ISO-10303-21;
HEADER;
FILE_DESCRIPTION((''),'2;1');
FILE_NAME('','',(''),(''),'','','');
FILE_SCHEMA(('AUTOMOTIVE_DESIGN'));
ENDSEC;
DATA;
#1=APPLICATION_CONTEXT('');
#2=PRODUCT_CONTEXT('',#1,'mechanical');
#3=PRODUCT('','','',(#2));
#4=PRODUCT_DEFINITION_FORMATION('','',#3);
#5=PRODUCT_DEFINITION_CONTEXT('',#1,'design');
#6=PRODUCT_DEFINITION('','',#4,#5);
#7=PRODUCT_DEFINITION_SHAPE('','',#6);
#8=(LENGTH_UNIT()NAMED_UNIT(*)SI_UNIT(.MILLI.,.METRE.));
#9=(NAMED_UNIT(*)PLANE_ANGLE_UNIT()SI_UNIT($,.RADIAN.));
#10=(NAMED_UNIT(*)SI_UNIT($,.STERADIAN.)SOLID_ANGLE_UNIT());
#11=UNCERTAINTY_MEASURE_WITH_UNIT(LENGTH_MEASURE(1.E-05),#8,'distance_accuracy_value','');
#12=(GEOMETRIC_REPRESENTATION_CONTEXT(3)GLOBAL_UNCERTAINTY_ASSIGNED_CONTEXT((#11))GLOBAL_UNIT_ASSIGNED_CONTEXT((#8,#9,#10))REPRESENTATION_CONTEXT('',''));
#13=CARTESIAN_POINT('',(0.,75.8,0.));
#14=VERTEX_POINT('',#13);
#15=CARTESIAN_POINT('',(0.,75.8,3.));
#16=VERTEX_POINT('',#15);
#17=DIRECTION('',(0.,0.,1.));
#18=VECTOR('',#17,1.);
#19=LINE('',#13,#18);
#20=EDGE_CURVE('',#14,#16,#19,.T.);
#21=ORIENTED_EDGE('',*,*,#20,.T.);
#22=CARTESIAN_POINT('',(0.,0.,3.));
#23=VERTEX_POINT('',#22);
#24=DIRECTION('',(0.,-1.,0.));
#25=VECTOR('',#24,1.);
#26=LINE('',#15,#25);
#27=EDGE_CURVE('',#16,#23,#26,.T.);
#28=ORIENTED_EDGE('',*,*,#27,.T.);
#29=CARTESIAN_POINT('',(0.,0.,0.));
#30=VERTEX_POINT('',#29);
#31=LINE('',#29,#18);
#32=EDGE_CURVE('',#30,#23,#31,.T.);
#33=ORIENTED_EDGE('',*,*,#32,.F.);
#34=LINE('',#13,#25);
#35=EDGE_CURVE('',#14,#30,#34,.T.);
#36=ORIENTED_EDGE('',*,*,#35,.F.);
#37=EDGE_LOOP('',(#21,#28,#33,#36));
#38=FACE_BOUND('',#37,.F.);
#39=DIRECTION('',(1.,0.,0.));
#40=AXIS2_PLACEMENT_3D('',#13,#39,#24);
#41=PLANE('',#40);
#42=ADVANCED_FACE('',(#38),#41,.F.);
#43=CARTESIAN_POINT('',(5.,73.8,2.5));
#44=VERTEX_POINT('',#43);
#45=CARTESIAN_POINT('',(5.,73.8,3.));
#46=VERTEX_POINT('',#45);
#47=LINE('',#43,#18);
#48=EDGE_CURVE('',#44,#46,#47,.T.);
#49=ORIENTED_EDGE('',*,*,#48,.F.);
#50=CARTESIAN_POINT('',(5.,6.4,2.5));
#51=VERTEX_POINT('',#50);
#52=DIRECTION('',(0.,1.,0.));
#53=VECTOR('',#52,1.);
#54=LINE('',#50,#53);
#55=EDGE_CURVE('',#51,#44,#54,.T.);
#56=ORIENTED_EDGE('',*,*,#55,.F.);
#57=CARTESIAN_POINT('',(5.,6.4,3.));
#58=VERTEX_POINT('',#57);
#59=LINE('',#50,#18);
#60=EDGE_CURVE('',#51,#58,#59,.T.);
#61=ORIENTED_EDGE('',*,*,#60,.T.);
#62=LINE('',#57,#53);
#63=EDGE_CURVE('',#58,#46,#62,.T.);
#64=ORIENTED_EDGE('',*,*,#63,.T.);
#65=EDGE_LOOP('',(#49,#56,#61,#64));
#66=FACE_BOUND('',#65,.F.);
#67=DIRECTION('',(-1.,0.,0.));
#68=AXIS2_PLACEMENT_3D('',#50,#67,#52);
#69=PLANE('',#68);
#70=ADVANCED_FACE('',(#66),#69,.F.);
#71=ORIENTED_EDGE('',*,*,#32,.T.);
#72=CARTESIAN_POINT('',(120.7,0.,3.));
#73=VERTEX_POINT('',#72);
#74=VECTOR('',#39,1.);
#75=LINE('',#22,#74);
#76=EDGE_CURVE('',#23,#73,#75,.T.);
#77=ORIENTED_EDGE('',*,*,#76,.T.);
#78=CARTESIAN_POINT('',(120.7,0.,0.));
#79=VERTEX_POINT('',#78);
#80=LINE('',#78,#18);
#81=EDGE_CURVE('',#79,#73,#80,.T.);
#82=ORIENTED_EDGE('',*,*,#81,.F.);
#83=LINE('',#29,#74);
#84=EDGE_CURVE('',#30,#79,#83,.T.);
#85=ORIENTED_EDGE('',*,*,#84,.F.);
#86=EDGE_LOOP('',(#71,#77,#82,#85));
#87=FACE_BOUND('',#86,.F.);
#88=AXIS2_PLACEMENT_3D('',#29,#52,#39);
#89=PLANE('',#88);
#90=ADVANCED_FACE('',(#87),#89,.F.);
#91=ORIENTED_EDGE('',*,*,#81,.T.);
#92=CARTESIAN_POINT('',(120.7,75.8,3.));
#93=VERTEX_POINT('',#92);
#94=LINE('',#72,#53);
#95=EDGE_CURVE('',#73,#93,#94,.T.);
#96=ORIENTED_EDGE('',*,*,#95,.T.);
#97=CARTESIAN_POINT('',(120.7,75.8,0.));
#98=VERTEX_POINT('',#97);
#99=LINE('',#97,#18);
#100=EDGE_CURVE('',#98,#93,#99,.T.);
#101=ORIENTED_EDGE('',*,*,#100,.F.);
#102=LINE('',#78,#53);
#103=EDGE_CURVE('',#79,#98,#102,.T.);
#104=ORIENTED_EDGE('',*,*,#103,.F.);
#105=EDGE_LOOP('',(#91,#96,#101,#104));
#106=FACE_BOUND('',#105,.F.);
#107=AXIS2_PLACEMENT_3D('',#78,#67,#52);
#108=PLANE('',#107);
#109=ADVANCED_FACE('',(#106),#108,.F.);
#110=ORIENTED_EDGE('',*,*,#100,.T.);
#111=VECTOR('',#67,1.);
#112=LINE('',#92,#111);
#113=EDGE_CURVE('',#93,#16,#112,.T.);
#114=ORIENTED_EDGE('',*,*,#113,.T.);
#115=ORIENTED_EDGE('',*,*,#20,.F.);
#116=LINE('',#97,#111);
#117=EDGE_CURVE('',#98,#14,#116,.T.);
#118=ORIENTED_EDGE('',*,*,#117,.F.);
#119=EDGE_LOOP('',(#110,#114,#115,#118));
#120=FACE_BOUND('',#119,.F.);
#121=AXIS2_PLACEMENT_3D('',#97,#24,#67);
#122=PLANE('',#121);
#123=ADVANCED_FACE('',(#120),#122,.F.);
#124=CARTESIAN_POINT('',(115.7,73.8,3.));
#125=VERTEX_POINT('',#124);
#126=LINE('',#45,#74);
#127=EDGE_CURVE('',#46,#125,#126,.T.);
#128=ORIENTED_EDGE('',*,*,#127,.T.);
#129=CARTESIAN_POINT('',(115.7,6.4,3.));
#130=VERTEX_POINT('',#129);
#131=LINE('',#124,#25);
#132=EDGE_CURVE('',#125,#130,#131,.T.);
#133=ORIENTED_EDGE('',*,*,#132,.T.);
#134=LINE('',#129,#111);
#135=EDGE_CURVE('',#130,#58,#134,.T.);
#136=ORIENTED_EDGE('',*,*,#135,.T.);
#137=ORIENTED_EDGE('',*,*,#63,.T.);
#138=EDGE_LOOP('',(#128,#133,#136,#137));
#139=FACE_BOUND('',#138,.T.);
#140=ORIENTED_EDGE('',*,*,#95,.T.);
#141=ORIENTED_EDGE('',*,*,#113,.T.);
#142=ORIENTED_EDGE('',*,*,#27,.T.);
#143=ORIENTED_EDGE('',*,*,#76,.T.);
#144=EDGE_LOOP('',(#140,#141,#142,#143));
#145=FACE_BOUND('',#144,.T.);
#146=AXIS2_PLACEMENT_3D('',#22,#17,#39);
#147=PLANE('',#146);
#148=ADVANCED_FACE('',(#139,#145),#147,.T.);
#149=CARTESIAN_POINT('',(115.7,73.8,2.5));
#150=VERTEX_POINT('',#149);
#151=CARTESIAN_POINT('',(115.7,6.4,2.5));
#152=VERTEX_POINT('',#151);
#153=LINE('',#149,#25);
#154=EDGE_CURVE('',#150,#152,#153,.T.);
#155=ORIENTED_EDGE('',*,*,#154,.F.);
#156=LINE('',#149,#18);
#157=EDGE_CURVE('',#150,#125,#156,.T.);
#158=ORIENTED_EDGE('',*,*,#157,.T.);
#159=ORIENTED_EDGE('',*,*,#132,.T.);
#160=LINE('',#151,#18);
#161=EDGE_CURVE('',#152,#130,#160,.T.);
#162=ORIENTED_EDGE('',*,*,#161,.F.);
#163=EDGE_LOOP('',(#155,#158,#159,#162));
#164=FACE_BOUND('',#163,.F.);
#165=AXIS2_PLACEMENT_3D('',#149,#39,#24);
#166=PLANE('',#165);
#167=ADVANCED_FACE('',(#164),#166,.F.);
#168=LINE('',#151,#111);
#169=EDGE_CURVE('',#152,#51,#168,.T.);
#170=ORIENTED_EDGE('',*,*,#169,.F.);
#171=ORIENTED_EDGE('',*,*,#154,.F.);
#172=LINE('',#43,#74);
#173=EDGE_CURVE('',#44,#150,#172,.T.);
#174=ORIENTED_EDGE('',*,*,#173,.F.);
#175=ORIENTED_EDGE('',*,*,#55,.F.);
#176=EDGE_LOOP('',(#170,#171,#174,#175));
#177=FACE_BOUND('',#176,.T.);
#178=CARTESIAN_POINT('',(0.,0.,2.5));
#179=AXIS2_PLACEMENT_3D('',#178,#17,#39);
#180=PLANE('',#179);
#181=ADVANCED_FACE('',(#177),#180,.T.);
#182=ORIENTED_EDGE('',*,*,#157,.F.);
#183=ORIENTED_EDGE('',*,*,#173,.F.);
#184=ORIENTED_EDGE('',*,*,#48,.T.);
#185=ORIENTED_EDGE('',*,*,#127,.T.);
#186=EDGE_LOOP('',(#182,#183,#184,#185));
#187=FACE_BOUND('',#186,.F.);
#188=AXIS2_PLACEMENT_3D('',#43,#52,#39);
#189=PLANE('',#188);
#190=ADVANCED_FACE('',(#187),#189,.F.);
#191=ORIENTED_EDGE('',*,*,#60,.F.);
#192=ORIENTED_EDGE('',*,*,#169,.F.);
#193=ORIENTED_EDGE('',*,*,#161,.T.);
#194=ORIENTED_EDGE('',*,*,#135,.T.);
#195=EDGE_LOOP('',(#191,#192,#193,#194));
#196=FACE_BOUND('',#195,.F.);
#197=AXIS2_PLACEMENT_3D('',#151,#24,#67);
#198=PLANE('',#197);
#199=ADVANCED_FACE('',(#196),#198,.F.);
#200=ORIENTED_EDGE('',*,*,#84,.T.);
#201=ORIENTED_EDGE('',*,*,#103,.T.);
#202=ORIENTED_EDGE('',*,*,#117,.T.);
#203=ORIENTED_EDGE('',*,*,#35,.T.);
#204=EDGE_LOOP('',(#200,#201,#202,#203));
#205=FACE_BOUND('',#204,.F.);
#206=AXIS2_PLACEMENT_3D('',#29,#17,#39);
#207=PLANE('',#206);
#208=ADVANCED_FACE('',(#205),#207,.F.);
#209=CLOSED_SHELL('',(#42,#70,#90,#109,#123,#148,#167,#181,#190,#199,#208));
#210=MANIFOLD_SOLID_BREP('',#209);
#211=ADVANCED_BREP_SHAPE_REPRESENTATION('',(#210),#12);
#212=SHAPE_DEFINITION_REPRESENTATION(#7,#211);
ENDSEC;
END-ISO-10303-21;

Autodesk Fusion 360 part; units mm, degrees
sketch "Sketch1" plane through (0, 0, 0) normal (0, 0, 1) x (1, 0, 0)
  line L0 (0, 0) -> (120.7, 0)
  line L1 (120.7, 0) -> (120.7, 75.8)
  line L2 (120.7, 75.8) -> (0, 75.8)
  line L3 (0, 75.8) -> (0, 0)
  line L4 (5, 73.8) -> (115.7, 73.8)
  line L5 (115.7, 73.8) -> (115.7, 6.4)
  line L6 (115.7, 6.4) -> (5, 6.4)
  line L7 (5, 6.4) -> (5, 73.8)
  dimension "d1" = 120.7
  dimension "d2" = 75.8
  dimension "d3" = 2
  dimension "d4" = 6.4
  dimension "d5" = 5
  dimension "d6" = 5
extrude "Extrude1" add sketch "Sketch1" along normal blind 3 contours L0 L1 L2 L3 | L4 L5 L6 L7
extrude "Extrude2" cut sketch "Sketch1" along normal blind 0.5 from surface at 2.5 contours L4 L5 L6 L7
